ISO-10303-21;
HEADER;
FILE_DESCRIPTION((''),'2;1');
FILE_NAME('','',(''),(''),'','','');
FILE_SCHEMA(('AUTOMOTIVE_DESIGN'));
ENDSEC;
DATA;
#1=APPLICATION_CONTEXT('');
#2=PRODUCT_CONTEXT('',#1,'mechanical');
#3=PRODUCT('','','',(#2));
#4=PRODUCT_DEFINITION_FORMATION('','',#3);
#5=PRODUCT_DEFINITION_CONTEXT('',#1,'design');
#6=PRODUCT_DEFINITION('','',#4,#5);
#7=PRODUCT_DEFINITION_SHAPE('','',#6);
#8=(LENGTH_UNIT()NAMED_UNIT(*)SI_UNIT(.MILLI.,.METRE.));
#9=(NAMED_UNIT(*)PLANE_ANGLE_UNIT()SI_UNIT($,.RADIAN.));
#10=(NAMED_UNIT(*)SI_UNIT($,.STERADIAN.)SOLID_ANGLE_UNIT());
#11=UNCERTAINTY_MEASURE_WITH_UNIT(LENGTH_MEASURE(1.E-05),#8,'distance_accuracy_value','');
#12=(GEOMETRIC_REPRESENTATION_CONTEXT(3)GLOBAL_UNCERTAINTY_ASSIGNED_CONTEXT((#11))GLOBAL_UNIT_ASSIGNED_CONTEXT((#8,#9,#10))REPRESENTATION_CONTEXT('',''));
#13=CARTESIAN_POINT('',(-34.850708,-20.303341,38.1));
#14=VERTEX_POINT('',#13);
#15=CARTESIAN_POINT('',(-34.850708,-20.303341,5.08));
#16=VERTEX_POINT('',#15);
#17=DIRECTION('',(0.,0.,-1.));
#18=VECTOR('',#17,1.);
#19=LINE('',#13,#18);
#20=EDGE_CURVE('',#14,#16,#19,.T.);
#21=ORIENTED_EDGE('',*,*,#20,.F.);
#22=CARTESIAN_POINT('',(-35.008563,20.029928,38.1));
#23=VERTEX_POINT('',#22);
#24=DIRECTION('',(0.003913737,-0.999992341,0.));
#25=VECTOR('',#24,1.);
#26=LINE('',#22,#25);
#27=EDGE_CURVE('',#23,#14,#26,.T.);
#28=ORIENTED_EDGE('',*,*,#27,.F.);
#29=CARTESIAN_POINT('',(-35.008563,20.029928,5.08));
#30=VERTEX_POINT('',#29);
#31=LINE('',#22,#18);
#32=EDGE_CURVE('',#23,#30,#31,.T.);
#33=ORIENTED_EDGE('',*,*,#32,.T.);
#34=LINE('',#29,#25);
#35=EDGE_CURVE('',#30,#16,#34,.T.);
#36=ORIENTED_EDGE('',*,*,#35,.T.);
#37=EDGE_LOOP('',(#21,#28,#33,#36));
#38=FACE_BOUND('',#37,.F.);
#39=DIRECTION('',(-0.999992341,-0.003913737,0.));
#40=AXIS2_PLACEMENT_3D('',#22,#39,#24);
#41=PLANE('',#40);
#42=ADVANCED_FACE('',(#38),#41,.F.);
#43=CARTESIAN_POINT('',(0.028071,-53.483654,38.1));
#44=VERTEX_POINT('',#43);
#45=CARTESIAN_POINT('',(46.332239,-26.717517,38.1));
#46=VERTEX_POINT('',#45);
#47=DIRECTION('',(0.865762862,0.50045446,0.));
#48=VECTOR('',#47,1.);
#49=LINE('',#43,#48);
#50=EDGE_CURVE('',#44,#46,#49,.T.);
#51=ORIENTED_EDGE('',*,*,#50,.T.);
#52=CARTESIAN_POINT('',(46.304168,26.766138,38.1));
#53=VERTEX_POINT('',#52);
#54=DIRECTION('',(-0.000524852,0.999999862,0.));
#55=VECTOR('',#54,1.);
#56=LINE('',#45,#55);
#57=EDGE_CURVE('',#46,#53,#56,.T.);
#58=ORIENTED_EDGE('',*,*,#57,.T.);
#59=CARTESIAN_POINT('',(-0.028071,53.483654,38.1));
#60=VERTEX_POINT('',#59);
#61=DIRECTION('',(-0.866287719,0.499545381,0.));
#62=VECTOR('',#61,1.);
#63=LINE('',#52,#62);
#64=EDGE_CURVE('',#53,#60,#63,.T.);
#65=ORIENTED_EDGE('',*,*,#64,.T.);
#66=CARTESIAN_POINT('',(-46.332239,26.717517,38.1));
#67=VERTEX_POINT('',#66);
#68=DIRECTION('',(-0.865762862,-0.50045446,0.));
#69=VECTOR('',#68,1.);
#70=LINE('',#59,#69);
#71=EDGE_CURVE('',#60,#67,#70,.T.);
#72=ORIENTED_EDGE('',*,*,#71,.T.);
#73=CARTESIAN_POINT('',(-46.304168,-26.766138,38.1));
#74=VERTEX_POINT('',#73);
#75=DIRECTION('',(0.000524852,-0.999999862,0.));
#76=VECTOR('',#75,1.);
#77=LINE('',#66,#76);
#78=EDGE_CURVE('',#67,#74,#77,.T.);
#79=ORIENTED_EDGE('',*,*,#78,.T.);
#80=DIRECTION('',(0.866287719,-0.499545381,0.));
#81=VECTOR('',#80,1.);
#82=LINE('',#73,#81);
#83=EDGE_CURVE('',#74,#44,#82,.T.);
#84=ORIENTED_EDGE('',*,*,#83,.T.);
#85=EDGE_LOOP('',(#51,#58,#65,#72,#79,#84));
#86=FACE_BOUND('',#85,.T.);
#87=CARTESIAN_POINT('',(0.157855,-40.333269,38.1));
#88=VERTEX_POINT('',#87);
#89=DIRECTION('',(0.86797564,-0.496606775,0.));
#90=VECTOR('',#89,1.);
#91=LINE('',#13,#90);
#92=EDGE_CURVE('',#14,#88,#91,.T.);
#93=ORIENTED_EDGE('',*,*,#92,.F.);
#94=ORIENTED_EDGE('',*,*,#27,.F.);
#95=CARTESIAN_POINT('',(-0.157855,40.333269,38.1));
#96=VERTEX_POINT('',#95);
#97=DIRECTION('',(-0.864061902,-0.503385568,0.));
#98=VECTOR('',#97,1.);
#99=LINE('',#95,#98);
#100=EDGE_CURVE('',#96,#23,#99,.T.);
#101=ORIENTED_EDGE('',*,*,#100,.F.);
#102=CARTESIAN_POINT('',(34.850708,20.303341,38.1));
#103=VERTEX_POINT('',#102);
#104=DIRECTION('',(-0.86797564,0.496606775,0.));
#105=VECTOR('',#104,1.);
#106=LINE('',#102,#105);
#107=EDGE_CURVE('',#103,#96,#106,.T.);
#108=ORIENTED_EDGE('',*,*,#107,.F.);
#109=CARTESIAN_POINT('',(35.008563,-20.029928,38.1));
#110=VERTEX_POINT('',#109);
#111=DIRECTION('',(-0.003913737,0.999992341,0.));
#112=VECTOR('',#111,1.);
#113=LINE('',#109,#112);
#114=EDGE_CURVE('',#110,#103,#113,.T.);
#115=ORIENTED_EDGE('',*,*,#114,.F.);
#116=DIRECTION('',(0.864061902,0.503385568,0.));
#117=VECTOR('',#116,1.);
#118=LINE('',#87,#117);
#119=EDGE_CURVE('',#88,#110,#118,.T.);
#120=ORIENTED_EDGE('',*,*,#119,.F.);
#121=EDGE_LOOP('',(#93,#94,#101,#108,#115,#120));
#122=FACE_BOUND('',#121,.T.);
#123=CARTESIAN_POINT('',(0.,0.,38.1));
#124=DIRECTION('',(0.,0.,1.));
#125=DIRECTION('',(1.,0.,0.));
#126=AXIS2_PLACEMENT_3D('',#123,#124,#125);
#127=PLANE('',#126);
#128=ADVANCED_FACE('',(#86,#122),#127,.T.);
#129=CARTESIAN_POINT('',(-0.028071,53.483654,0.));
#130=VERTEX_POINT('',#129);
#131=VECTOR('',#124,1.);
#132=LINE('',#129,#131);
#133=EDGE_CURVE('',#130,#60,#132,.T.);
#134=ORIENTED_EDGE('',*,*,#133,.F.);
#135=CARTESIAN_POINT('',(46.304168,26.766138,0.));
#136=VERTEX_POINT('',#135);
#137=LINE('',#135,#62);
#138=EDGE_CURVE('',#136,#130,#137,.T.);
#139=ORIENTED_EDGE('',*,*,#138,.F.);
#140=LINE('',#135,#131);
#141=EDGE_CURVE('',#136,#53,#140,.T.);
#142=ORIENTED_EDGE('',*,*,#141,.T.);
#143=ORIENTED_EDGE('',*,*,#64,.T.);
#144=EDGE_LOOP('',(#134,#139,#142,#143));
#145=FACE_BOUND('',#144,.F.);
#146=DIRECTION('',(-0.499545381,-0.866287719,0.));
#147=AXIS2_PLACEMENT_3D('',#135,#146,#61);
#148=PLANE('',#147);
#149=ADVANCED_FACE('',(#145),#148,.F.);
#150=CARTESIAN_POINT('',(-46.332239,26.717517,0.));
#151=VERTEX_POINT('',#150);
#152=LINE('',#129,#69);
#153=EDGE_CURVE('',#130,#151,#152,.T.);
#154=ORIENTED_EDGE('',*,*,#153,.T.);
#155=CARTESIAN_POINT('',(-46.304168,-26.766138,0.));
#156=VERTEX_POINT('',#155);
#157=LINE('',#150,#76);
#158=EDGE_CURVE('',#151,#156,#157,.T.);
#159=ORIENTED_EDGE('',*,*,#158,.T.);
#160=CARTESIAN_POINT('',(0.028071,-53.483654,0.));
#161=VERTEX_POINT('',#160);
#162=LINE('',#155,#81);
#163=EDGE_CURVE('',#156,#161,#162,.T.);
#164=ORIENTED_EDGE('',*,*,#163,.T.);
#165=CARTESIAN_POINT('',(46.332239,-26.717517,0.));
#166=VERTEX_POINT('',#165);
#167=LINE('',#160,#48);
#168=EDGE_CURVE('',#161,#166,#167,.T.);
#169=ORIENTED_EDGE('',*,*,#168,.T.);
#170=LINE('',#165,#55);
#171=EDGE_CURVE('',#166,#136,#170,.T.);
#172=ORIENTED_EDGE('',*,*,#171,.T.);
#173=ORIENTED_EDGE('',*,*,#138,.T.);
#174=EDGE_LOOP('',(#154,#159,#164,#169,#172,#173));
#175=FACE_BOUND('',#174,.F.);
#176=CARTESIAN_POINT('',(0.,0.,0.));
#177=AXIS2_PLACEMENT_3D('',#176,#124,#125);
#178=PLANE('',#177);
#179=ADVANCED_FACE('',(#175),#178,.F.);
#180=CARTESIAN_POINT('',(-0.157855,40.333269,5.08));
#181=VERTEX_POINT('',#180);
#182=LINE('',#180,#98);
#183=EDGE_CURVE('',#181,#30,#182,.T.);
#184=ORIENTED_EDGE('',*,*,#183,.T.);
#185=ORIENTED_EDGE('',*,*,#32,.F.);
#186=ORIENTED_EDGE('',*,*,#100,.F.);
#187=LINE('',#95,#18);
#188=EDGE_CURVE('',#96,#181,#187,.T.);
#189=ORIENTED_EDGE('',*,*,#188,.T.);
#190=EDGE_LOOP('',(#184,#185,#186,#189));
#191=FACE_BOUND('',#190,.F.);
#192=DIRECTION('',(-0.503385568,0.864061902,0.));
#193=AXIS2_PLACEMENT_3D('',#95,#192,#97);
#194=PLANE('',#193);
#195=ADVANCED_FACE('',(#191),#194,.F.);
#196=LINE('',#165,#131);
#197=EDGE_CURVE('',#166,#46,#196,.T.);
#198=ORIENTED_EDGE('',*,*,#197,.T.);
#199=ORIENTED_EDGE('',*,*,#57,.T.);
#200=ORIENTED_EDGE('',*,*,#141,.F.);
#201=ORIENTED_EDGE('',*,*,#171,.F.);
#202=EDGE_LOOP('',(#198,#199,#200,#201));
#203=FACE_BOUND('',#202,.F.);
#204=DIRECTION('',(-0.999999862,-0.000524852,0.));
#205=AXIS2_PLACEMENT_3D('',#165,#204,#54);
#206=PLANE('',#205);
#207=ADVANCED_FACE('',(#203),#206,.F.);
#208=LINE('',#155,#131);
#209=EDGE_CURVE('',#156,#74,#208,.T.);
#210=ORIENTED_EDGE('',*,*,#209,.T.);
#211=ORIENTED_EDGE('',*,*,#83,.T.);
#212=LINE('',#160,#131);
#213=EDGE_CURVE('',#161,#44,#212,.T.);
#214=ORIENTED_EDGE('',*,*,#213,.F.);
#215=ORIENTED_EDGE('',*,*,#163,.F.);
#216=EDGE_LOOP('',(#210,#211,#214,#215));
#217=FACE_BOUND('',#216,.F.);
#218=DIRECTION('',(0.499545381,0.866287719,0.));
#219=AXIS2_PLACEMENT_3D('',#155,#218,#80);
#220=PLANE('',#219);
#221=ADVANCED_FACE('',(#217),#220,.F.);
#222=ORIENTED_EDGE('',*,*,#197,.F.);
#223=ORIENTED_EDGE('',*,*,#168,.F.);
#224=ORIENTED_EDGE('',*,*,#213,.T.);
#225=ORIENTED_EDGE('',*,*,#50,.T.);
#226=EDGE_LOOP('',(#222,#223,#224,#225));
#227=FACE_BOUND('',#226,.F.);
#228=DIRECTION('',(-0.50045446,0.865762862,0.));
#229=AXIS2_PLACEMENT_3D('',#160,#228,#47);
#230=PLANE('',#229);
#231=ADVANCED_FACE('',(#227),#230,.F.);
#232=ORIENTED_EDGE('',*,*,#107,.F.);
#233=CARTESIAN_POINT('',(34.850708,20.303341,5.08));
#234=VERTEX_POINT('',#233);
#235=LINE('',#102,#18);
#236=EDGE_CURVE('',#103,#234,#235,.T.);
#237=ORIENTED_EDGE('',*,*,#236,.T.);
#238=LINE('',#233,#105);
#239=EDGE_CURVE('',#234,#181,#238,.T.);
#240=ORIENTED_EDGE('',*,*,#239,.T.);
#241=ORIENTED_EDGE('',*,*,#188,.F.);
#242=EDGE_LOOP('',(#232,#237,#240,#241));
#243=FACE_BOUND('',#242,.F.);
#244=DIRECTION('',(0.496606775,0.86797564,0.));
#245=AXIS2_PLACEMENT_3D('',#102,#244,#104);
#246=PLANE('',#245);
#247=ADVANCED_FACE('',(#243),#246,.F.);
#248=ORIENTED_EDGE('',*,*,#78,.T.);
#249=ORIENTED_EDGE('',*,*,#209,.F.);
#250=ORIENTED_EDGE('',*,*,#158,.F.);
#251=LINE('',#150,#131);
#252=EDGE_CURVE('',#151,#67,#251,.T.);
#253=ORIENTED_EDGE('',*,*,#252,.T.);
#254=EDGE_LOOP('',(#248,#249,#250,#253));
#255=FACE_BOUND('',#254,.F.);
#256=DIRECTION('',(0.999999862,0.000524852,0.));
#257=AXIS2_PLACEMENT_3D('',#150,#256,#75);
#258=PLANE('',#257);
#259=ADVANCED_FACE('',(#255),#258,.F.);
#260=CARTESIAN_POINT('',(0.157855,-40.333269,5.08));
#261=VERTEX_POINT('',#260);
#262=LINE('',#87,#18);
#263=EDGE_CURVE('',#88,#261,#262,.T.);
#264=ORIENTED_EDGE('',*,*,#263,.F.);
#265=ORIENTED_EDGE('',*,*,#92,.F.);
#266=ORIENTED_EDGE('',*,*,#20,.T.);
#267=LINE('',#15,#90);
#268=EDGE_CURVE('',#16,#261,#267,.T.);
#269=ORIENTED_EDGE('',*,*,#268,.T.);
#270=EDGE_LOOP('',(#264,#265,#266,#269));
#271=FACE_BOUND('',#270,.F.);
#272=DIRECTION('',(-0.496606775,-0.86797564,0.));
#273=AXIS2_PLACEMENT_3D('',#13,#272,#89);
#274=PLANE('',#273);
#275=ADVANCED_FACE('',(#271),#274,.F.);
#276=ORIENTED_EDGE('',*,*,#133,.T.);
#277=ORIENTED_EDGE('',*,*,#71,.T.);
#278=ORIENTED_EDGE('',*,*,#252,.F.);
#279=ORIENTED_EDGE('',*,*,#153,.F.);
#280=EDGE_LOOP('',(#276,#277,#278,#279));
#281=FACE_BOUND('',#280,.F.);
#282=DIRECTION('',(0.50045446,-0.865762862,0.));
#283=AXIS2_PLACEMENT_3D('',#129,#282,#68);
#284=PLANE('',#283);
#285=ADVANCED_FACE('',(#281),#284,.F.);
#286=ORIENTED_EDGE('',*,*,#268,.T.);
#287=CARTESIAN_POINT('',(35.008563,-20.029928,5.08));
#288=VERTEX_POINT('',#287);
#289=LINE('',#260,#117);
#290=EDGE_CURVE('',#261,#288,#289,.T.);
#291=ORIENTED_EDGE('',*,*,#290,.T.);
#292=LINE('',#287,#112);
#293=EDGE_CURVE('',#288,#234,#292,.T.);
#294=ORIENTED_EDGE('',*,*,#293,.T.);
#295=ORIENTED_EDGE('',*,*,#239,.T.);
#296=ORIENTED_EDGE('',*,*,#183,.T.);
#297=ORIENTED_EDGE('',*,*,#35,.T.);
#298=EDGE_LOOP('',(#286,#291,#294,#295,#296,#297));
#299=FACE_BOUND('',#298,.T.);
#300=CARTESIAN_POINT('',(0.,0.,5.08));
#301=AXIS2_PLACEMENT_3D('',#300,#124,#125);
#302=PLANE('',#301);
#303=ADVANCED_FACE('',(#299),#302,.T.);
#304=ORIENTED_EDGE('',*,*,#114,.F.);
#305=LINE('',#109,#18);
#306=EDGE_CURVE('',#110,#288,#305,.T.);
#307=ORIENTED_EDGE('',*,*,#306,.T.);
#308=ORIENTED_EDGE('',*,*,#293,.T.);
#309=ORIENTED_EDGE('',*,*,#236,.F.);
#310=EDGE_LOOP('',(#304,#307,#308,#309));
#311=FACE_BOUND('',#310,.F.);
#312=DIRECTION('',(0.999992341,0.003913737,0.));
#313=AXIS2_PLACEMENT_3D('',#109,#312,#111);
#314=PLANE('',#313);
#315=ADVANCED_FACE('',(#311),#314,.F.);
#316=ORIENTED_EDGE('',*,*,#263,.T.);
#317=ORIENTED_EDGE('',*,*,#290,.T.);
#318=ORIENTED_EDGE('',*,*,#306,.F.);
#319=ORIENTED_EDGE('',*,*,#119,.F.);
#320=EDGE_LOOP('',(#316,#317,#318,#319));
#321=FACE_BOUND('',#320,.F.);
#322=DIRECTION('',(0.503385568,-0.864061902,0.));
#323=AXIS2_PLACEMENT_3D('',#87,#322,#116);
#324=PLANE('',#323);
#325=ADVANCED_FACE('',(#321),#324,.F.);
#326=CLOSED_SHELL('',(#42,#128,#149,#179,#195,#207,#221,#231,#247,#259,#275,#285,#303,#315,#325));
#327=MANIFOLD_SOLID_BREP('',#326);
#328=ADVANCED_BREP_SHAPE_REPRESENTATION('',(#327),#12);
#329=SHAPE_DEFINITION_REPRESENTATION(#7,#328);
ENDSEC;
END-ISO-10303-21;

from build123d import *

# Parameters (mm, degrees)
F1_DEPTH = 38.1
F3_DEPTH = 33.02


with BuildPart() as f1:
    # F0 (on Top) → F1 (new body)
    with BuildSketch(Plane.XY):
        Polygon((-0.028071, 53.483654), (-46.332239, 26.717517), (-46.304168, -26.766138), (0.028071, -53.483654), (46.332239, -26.717517), (46.304168, 26.766138), align=None)
    extrude(amount=F1_DEPTH)

    # F2 (on face) → F3 (cut)
    with BuildSketch(Plane.XY.offset(38.1)):
        Polygon((34.850708, 20.303341), (-0.157855, 40.333269), (-35.008563, 20.029928), (-34.850708, -20.303341), (0.157855, -40.333269), (35.008563, -20.029928), align=None)
    extrude(amount=-F3_DEPTH, mode=Mode.SUBTRACT)


solid = f1.part
